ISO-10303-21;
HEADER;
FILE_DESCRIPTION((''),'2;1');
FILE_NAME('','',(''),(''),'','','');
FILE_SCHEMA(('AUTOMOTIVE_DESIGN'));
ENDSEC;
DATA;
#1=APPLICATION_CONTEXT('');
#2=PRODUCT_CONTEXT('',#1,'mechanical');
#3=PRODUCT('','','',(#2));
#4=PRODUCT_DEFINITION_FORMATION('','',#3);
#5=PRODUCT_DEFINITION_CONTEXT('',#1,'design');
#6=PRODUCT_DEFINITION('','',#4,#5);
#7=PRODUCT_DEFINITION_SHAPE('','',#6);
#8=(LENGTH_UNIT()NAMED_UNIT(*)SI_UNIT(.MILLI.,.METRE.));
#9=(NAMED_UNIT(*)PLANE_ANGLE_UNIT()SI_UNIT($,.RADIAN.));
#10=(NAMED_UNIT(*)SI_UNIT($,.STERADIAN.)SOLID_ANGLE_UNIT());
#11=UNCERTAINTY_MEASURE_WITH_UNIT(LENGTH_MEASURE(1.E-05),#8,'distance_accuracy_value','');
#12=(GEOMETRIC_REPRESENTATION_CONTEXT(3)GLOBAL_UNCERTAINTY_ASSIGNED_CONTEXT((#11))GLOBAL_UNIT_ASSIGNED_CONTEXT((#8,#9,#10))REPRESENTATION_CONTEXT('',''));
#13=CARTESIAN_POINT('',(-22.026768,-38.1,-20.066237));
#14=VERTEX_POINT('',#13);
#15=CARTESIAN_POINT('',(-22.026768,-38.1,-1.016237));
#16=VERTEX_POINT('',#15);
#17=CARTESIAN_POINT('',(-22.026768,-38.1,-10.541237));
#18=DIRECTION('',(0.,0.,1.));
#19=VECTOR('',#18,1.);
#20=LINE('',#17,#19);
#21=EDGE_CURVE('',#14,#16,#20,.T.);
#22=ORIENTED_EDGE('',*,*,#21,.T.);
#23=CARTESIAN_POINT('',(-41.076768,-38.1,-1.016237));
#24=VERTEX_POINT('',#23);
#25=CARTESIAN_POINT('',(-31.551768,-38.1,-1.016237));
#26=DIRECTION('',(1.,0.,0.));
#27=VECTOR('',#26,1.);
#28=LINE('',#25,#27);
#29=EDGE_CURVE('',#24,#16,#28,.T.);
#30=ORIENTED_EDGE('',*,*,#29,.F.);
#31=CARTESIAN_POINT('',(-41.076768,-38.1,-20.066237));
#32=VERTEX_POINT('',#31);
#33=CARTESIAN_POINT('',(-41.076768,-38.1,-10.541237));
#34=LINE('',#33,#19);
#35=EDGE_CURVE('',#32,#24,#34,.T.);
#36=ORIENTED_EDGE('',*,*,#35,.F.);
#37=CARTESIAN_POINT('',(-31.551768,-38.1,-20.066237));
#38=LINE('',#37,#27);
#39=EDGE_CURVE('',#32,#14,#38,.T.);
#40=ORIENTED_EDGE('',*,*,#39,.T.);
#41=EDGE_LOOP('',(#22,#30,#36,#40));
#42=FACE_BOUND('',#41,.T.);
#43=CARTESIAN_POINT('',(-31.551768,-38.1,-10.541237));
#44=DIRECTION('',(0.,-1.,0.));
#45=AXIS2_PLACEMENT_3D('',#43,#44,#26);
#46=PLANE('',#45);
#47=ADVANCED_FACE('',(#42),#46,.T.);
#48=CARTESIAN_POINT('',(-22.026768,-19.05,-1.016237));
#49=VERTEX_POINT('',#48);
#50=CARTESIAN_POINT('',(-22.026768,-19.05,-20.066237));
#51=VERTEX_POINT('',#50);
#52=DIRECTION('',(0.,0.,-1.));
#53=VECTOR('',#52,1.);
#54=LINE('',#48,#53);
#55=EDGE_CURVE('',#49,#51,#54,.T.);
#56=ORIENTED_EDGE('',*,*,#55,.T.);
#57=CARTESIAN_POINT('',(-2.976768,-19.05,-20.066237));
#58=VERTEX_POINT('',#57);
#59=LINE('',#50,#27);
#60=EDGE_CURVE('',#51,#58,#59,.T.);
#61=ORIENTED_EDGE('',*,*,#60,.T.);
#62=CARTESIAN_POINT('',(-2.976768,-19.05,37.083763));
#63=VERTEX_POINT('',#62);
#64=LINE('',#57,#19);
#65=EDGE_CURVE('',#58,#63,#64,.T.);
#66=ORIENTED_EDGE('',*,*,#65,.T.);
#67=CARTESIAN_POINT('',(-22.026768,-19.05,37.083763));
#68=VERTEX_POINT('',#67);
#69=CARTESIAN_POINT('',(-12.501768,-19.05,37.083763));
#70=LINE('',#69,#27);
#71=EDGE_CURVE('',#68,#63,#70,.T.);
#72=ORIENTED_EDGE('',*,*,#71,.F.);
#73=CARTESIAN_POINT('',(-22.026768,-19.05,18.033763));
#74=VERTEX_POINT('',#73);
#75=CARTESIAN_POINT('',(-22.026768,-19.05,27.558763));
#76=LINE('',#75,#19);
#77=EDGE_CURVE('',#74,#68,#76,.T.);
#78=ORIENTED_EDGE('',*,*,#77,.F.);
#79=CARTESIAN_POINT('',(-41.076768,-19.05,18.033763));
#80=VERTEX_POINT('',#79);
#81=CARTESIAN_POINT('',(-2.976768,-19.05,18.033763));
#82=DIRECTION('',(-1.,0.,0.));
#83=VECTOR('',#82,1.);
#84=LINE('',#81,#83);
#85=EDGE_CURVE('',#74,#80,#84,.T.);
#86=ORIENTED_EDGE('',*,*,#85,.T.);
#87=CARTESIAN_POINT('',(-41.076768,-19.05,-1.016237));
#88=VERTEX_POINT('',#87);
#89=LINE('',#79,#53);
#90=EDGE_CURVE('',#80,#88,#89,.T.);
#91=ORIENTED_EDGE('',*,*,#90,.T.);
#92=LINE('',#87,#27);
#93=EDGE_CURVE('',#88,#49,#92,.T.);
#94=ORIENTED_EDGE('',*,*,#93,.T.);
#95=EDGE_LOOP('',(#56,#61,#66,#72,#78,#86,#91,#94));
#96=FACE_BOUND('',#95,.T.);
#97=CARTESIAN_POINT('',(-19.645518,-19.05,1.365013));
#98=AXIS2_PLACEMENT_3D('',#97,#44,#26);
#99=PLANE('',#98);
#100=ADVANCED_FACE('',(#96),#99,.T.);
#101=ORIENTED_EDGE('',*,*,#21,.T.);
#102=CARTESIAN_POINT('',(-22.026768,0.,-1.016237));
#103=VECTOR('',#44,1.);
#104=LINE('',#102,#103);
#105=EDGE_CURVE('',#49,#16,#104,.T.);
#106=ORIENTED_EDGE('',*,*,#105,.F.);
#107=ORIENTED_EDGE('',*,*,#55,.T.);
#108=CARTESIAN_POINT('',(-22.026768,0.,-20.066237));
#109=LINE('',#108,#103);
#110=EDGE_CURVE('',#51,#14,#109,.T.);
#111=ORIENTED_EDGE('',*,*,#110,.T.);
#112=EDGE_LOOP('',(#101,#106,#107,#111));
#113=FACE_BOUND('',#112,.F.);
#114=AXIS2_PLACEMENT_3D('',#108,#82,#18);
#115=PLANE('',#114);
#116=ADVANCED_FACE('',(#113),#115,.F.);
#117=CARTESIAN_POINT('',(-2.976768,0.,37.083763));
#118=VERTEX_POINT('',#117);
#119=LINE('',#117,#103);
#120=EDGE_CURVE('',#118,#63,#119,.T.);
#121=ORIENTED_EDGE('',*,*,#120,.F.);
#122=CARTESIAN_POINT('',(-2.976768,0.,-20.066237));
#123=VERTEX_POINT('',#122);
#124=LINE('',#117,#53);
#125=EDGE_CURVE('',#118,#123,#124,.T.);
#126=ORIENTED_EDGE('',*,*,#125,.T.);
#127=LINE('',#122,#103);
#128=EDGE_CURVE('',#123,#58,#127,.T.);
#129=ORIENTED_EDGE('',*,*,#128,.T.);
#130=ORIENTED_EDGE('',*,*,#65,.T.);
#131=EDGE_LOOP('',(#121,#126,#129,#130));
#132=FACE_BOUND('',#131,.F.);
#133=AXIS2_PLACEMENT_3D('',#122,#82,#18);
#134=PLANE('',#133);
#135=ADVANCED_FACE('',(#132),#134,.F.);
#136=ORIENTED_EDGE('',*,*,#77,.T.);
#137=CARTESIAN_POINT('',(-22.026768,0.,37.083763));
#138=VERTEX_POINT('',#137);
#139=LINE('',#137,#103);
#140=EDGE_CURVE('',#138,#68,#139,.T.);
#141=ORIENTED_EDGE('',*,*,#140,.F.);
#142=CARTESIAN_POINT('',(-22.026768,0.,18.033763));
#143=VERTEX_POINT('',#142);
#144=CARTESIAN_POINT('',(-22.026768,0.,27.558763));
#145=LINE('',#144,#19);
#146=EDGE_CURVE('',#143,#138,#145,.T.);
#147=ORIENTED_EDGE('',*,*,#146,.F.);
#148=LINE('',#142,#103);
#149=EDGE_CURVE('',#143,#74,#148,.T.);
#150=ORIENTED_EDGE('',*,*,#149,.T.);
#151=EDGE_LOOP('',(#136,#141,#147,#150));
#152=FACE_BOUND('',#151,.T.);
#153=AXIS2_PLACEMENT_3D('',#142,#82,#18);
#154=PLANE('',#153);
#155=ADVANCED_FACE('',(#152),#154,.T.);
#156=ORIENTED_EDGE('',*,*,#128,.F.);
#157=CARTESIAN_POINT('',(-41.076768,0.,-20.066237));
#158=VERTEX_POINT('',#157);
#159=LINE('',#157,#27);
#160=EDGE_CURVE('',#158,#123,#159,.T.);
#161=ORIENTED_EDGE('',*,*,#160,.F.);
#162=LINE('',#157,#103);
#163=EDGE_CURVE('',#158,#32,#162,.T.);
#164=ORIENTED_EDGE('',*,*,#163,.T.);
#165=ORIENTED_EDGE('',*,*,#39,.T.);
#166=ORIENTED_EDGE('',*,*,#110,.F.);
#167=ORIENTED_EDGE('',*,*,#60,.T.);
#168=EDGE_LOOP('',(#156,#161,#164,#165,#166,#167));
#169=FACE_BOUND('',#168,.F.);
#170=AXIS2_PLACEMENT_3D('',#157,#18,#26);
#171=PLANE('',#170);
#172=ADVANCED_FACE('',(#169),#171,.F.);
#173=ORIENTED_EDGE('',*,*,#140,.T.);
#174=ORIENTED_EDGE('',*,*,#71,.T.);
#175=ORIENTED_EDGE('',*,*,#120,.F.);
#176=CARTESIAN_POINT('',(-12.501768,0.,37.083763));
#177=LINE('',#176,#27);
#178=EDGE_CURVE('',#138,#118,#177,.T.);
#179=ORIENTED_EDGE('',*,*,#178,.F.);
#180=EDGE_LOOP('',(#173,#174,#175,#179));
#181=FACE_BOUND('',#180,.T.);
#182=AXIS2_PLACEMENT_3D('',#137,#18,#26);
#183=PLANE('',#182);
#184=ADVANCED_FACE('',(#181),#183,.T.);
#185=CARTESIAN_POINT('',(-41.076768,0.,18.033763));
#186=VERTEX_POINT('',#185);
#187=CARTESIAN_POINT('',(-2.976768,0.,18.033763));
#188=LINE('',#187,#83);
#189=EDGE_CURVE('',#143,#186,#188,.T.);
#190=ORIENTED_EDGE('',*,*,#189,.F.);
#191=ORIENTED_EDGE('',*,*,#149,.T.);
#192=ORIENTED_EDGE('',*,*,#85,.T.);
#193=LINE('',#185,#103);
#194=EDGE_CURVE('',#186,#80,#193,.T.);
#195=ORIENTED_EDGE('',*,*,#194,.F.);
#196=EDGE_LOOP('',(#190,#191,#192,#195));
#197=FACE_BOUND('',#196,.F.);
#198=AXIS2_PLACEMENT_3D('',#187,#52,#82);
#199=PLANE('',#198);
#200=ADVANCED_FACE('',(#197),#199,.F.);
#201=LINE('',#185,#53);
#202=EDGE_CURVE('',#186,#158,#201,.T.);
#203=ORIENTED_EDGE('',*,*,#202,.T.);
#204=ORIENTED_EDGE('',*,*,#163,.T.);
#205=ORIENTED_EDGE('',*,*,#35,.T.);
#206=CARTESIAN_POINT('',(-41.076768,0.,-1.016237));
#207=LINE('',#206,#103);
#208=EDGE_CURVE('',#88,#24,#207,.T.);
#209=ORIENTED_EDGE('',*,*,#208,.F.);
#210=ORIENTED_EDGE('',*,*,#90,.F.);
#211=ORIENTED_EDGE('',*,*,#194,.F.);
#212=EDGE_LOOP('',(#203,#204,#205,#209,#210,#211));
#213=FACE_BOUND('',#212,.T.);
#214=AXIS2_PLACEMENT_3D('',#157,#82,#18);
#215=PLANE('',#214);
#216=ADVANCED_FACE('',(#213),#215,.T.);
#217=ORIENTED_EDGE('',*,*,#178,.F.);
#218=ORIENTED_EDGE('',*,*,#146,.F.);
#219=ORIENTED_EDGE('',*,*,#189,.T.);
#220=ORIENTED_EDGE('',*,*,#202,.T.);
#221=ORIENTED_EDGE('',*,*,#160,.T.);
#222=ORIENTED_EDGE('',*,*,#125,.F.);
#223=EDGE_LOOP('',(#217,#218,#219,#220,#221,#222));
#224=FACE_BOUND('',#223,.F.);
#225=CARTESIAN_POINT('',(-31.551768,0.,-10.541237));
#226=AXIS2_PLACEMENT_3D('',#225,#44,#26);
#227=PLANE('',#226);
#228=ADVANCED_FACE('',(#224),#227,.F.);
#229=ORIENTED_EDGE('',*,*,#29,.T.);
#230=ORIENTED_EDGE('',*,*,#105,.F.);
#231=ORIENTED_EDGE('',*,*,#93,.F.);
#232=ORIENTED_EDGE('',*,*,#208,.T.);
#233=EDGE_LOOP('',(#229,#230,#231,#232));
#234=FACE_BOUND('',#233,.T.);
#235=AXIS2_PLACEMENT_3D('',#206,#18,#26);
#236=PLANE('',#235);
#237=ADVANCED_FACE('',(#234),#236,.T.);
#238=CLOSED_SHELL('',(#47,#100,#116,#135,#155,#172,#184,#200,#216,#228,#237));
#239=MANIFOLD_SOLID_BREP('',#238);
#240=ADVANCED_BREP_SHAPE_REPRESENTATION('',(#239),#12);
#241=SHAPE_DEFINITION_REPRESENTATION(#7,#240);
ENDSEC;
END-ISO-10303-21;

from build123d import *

# Parameters (mm, degrees)
F0_W     = 19.05
F0_H     = 19.05
F1_DEPTH = 19.05
F2_DEPTH = 19.05
F3_DEPTH = 38.1


with BuildPart() as f1:
    # F0 (on Front) → F1 (new body)
    with BuildSketch(Plane.XZ):
        with Locations((-12.501768, 27.558763)):
            Rectangle(F0_W, F0_H)
    extrude(amount=F1_DEPTH)

    # F0 (on Front) → F2 (join)
    with BuildSketch(Plane.XZ):
        Polygon((-22.026768, -1.016237), (-22.026768, -20.066237), (-2.976768, -20.066237), (-2.976768, 18.033763), (-22.026768, 18.033763), (-41.076768, 18.033763), (-41.076768, -1.016237), align=None)
    extrude(amount=F2_DEPTH)

    # F0 (on Front) → F3 (join)
    with BuildSketch(Plane.XZ):
        with Locations((-31.551768, -10.541237)):
            Rectangle(F0_W, F0_H)
    extrude(amount=F3_DEPTH)


solid = f1.part
